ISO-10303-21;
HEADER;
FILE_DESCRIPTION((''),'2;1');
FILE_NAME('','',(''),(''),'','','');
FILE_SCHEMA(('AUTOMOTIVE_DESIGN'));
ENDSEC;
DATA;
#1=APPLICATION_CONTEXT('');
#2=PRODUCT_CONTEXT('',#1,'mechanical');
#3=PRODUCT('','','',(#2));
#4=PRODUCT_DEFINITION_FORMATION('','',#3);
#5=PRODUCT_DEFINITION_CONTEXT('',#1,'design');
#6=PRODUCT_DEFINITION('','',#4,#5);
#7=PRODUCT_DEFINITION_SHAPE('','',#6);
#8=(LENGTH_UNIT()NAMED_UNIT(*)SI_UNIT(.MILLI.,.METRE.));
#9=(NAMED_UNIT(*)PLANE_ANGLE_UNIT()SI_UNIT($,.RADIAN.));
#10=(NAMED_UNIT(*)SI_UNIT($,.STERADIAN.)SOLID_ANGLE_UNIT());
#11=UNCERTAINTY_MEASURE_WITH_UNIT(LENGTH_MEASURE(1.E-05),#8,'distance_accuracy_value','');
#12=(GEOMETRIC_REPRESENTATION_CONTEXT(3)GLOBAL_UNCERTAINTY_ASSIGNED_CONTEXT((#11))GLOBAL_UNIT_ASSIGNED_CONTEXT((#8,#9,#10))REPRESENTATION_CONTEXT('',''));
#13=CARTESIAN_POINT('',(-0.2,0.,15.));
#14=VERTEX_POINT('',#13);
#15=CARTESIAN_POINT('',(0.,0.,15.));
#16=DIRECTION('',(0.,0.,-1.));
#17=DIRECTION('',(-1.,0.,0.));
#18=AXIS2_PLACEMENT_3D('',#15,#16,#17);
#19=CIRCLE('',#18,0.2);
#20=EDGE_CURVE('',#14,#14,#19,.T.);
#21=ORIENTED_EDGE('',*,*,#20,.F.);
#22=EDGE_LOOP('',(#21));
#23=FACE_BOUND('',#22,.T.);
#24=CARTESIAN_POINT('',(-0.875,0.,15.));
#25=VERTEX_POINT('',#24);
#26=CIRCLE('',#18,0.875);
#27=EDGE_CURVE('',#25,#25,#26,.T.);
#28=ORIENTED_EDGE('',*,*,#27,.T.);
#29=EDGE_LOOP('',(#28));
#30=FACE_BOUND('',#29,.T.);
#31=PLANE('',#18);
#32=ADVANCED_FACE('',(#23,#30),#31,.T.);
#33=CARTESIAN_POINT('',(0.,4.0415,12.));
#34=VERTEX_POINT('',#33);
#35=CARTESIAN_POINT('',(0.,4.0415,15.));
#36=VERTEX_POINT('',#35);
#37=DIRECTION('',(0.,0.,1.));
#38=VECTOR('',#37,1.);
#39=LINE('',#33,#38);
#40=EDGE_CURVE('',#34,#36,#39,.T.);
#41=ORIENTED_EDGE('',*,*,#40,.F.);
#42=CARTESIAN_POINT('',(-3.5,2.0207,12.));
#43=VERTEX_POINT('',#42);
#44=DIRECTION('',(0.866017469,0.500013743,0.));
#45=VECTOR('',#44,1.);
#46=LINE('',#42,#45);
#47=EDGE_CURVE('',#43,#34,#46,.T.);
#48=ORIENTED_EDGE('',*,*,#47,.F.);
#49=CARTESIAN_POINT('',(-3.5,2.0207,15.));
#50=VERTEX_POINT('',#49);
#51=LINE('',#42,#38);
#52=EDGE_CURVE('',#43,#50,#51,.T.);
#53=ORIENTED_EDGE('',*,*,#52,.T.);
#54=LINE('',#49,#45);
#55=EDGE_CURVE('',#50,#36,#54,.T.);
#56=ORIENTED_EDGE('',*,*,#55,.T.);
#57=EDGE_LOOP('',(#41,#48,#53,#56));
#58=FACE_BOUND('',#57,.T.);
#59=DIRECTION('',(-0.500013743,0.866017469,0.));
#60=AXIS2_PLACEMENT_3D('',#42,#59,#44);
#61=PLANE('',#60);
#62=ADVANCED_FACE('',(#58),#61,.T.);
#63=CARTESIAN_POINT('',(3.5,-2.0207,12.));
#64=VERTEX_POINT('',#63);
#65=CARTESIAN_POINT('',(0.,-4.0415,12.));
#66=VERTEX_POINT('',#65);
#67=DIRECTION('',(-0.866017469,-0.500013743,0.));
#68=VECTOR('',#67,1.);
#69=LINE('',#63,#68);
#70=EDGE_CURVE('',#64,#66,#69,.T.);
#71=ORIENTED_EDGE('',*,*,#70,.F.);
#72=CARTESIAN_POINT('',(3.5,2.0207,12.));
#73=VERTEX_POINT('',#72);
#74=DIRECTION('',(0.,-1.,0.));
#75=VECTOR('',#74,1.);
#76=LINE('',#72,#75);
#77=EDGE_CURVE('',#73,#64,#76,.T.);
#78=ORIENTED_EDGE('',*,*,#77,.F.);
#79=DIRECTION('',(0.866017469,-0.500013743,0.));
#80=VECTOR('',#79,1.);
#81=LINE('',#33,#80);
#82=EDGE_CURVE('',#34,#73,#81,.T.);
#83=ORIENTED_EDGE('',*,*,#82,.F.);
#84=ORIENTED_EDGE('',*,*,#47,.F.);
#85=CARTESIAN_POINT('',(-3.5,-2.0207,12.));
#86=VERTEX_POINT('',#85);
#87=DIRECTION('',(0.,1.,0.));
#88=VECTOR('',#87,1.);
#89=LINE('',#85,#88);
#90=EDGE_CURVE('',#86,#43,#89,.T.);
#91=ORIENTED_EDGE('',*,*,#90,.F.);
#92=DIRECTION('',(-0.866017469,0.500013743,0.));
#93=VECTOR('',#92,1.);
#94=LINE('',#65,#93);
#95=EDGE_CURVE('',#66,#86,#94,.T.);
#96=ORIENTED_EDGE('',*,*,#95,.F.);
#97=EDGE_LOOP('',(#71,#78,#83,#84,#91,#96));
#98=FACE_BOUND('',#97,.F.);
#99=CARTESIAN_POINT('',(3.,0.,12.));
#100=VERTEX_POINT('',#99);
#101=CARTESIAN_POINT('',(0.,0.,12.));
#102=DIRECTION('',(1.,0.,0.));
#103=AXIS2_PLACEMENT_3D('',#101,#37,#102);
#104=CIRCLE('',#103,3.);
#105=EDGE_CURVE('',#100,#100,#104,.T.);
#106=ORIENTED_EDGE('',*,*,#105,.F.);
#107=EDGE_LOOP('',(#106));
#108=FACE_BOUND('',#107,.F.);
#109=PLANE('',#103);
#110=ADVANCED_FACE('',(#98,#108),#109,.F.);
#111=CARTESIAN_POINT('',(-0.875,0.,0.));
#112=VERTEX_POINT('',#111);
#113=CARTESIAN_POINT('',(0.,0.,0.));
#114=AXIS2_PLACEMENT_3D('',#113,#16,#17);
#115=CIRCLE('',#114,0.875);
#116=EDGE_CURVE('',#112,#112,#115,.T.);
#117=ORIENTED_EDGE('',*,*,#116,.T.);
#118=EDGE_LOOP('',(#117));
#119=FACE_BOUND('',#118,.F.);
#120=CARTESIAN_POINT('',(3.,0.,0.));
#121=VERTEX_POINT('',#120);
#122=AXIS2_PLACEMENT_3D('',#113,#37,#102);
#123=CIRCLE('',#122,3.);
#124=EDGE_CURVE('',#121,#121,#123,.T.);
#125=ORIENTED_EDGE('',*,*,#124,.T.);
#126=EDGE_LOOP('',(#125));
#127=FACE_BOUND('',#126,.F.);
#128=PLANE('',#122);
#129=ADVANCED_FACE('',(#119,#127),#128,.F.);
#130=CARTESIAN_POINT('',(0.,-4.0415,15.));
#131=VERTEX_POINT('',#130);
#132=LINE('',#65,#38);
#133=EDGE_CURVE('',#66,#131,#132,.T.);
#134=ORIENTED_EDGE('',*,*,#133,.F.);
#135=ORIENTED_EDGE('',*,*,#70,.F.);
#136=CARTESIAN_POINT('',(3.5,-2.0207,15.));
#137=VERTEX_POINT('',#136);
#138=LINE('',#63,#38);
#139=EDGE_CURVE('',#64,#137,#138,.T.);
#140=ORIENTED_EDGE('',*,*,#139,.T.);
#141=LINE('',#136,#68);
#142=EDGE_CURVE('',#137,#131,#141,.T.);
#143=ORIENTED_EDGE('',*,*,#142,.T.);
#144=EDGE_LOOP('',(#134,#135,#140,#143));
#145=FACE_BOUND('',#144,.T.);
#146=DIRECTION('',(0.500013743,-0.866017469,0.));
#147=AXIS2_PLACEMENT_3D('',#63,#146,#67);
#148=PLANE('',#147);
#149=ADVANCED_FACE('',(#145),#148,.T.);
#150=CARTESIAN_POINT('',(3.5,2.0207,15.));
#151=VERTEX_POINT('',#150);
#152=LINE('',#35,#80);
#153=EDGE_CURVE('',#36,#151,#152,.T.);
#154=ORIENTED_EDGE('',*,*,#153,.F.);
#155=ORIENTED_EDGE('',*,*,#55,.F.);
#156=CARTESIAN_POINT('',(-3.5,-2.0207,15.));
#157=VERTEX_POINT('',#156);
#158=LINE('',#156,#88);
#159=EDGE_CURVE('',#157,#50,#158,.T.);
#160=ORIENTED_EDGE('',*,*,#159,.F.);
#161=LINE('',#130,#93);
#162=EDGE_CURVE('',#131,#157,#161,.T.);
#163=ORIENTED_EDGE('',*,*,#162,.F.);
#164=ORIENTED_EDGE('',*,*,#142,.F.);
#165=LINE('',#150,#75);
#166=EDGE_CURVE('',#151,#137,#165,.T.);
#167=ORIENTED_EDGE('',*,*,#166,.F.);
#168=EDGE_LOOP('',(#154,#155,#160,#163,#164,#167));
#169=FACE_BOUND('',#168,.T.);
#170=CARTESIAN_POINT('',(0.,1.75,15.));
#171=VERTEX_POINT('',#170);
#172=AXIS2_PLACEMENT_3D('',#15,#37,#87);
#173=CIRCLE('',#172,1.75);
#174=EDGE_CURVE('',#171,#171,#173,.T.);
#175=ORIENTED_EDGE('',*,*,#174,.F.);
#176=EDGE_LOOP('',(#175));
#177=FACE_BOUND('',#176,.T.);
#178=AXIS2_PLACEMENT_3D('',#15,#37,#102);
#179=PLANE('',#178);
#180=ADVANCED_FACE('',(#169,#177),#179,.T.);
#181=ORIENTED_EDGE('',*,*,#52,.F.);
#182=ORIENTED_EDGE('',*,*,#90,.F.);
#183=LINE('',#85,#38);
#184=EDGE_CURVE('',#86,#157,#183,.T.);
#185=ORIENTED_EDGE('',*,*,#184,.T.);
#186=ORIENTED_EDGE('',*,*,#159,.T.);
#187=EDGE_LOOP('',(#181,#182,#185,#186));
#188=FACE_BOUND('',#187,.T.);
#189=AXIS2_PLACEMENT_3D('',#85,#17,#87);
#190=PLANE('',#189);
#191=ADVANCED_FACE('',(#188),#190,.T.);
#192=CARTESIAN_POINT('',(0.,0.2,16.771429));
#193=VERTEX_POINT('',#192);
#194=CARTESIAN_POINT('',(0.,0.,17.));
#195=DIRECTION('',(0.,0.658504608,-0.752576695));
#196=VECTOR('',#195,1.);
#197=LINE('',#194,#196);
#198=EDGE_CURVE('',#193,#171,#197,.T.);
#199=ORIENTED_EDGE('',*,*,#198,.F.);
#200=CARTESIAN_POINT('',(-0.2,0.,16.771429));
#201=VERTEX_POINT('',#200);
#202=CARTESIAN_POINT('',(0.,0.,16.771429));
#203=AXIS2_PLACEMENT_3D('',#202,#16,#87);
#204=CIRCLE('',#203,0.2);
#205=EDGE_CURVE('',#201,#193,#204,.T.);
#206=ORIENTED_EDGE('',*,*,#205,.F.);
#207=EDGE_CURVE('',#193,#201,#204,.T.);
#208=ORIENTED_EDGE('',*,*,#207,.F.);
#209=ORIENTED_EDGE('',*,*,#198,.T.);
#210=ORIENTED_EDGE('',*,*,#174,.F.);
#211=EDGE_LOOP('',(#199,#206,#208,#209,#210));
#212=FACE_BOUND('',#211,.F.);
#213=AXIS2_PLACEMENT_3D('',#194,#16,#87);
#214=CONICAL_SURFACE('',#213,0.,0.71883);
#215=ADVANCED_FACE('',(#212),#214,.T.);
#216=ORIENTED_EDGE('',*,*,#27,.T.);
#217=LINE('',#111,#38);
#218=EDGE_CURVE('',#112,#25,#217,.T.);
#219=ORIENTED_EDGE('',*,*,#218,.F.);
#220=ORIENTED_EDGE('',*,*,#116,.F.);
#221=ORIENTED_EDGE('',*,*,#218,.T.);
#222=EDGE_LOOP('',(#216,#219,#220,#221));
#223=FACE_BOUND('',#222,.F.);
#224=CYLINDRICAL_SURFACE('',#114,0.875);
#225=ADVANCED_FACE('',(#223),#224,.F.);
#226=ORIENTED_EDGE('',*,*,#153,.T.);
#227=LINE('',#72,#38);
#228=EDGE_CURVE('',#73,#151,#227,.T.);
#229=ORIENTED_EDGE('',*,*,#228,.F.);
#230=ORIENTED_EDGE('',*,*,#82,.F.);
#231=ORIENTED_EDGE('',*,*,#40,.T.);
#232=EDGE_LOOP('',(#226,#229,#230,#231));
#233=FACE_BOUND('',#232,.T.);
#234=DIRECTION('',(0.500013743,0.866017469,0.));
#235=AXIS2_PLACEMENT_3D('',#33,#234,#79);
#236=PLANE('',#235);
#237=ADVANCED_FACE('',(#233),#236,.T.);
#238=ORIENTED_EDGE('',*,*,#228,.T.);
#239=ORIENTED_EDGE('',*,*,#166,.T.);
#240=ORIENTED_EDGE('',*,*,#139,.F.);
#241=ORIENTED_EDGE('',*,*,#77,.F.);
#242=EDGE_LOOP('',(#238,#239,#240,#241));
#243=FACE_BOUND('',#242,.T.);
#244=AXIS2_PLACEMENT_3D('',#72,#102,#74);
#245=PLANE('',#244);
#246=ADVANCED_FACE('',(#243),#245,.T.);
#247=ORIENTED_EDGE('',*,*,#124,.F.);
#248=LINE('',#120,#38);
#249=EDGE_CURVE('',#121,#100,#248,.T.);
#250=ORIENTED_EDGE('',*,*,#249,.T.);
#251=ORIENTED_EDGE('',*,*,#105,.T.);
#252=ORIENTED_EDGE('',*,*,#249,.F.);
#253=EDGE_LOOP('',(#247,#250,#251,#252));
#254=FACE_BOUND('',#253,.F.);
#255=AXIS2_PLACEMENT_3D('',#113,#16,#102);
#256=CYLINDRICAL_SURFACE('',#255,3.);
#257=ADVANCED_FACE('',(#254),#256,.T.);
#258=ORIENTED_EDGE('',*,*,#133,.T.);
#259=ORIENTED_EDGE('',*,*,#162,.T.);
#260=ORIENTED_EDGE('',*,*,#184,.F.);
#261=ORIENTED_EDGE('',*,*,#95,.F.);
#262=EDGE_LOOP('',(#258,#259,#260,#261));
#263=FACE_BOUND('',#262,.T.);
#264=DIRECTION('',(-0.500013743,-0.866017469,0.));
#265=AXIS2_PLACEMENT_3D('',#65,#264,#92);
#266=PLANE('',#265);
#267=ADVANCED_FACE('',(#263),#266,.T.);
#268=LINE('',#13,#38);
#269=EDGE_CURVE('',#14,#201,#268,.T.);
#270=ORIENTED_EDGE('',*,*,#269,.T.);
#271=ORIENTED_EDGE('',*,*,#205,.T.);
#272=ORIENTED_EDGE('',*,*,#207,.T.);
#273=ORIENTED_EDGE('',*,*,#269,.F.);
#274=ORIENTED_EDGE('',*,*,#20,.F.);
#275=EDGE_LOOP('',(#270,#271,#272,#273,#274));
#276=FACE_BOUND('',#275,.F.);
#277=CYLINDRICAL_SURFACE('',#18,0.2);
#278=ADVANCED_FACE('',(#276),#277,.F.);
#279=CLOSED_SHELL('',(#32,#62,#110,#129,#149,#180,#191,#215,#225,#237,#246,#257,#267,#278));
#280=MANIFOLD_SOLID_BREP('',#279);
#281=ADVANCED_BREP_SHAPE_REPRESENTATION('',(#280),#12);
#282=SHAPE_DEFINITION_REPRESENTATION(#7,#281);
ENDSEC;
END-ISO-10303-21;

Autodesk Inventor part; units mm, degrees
ref_plane "YZ Plane" through (0, 0, 0) normal (1, 0, 0) x (0, 1, 0)
ref_plane "XZ Plane" through (0, 0, 0) normal (0, 1, 0) x (-1, 0, 0)
sketch "Sketch1" plane through (0, 0, 0) normal (0, 0, 1) x (1, 0, 0)
  circle A0 centre (0, 0) radius 3
  dimension "d0" = 6
extrude "Extrusion1" add sketch "Sketch1" along normal blind 12
sketch "Sketch2" plane through (0, 0, 12) normal (0, 0, 1) x (1, 0, 0)
  line L0 (3.5, -2.0207) -> (0, -4.0415)
  line L1 (0, -4.0415) -> (-3.5, -2.0207)
  line L2 (-3.5, -2.0207) -> (-3.5, 2.0207)
  line L3 (-3.5, 2.0207) -> (0, 4.0415)
  line L4 (0, 4.0415) -> (3.5, 2.0207)
  line L5 (3.5, 2.0207) -> (3.5, -2.0207)
  point P0 (0, 0)
  point P1 (0, 0)
  dimension "d3" = 7
extrude "Extrusion2" add sketch "Sketch2" along normal blind 3
sketch "Sketch3" plane through (3.5, -2.0207, 12) normal (1, 0, 0) x (0, 0, -1)
  line L0 (12, 2.0207) -> (-9.0637, 2.0207) construction
  line L1 (-5, 2.0207) -> (-3, 3.7707)
  line L2 (-3, 0) -> (-3, 4.0415) projected
  dimension "d6" = 2
  dimension "d7" = 1.75
ref_plane "Work Plane1" through (0, 4.0415, 15) normal (1, 0, 0) x (0, 1, 0)
sketch "Sketch4" plane through (0, 4.0415, 15) normal (1, 0, 0) x (0, 1, 0)
  line L0 (-4.0415, -15) -> (-4.0415, 0)
  line L1 (-4.0415, 2) -> (-2.2915, 0)
  line L2 (-6.0622, 0) -> (-2.0207, 0) projected
  line L3 (-4.0415, 2) -> (-4.0415, 9.3092)
  line L4 (-4.0415, 0) -> (-4.0415, 2)
  line L5 (-2.2915, 0) -> (-4.0415, 0)
  dimension "d8" = 1.75
  dimension "d9" = 2
revolve "Revolution1" add sketch "Sketch4" angle 360 about axis through (0, 0, 17) along (0, 0, 1)
sketch "Sketch5" plane through (0, 0, 0) normal (0, 0, -1) x (-1, 0, 0)
  circle A0 centre (0, 0) radius 0.875
  dimension "d11" = 1.75
extrude "Extrusion3" cut sketch "Sketch5" against normal blind 15
sketch "Sketch6" plane through (0, 0, 15) normal (0, 0, -1) x (-1, 0, 0)
  circle A0 centre (0, 0) radius 0.2
  dimension "d14" = 0.4
extrude "Extrusion4" cut sketch "Sketch6" against normal through all
thread "Thread1" size "M6x1" class "6g" standard "ANSI Metric M Profile" full length
properties part number "nozzle"
